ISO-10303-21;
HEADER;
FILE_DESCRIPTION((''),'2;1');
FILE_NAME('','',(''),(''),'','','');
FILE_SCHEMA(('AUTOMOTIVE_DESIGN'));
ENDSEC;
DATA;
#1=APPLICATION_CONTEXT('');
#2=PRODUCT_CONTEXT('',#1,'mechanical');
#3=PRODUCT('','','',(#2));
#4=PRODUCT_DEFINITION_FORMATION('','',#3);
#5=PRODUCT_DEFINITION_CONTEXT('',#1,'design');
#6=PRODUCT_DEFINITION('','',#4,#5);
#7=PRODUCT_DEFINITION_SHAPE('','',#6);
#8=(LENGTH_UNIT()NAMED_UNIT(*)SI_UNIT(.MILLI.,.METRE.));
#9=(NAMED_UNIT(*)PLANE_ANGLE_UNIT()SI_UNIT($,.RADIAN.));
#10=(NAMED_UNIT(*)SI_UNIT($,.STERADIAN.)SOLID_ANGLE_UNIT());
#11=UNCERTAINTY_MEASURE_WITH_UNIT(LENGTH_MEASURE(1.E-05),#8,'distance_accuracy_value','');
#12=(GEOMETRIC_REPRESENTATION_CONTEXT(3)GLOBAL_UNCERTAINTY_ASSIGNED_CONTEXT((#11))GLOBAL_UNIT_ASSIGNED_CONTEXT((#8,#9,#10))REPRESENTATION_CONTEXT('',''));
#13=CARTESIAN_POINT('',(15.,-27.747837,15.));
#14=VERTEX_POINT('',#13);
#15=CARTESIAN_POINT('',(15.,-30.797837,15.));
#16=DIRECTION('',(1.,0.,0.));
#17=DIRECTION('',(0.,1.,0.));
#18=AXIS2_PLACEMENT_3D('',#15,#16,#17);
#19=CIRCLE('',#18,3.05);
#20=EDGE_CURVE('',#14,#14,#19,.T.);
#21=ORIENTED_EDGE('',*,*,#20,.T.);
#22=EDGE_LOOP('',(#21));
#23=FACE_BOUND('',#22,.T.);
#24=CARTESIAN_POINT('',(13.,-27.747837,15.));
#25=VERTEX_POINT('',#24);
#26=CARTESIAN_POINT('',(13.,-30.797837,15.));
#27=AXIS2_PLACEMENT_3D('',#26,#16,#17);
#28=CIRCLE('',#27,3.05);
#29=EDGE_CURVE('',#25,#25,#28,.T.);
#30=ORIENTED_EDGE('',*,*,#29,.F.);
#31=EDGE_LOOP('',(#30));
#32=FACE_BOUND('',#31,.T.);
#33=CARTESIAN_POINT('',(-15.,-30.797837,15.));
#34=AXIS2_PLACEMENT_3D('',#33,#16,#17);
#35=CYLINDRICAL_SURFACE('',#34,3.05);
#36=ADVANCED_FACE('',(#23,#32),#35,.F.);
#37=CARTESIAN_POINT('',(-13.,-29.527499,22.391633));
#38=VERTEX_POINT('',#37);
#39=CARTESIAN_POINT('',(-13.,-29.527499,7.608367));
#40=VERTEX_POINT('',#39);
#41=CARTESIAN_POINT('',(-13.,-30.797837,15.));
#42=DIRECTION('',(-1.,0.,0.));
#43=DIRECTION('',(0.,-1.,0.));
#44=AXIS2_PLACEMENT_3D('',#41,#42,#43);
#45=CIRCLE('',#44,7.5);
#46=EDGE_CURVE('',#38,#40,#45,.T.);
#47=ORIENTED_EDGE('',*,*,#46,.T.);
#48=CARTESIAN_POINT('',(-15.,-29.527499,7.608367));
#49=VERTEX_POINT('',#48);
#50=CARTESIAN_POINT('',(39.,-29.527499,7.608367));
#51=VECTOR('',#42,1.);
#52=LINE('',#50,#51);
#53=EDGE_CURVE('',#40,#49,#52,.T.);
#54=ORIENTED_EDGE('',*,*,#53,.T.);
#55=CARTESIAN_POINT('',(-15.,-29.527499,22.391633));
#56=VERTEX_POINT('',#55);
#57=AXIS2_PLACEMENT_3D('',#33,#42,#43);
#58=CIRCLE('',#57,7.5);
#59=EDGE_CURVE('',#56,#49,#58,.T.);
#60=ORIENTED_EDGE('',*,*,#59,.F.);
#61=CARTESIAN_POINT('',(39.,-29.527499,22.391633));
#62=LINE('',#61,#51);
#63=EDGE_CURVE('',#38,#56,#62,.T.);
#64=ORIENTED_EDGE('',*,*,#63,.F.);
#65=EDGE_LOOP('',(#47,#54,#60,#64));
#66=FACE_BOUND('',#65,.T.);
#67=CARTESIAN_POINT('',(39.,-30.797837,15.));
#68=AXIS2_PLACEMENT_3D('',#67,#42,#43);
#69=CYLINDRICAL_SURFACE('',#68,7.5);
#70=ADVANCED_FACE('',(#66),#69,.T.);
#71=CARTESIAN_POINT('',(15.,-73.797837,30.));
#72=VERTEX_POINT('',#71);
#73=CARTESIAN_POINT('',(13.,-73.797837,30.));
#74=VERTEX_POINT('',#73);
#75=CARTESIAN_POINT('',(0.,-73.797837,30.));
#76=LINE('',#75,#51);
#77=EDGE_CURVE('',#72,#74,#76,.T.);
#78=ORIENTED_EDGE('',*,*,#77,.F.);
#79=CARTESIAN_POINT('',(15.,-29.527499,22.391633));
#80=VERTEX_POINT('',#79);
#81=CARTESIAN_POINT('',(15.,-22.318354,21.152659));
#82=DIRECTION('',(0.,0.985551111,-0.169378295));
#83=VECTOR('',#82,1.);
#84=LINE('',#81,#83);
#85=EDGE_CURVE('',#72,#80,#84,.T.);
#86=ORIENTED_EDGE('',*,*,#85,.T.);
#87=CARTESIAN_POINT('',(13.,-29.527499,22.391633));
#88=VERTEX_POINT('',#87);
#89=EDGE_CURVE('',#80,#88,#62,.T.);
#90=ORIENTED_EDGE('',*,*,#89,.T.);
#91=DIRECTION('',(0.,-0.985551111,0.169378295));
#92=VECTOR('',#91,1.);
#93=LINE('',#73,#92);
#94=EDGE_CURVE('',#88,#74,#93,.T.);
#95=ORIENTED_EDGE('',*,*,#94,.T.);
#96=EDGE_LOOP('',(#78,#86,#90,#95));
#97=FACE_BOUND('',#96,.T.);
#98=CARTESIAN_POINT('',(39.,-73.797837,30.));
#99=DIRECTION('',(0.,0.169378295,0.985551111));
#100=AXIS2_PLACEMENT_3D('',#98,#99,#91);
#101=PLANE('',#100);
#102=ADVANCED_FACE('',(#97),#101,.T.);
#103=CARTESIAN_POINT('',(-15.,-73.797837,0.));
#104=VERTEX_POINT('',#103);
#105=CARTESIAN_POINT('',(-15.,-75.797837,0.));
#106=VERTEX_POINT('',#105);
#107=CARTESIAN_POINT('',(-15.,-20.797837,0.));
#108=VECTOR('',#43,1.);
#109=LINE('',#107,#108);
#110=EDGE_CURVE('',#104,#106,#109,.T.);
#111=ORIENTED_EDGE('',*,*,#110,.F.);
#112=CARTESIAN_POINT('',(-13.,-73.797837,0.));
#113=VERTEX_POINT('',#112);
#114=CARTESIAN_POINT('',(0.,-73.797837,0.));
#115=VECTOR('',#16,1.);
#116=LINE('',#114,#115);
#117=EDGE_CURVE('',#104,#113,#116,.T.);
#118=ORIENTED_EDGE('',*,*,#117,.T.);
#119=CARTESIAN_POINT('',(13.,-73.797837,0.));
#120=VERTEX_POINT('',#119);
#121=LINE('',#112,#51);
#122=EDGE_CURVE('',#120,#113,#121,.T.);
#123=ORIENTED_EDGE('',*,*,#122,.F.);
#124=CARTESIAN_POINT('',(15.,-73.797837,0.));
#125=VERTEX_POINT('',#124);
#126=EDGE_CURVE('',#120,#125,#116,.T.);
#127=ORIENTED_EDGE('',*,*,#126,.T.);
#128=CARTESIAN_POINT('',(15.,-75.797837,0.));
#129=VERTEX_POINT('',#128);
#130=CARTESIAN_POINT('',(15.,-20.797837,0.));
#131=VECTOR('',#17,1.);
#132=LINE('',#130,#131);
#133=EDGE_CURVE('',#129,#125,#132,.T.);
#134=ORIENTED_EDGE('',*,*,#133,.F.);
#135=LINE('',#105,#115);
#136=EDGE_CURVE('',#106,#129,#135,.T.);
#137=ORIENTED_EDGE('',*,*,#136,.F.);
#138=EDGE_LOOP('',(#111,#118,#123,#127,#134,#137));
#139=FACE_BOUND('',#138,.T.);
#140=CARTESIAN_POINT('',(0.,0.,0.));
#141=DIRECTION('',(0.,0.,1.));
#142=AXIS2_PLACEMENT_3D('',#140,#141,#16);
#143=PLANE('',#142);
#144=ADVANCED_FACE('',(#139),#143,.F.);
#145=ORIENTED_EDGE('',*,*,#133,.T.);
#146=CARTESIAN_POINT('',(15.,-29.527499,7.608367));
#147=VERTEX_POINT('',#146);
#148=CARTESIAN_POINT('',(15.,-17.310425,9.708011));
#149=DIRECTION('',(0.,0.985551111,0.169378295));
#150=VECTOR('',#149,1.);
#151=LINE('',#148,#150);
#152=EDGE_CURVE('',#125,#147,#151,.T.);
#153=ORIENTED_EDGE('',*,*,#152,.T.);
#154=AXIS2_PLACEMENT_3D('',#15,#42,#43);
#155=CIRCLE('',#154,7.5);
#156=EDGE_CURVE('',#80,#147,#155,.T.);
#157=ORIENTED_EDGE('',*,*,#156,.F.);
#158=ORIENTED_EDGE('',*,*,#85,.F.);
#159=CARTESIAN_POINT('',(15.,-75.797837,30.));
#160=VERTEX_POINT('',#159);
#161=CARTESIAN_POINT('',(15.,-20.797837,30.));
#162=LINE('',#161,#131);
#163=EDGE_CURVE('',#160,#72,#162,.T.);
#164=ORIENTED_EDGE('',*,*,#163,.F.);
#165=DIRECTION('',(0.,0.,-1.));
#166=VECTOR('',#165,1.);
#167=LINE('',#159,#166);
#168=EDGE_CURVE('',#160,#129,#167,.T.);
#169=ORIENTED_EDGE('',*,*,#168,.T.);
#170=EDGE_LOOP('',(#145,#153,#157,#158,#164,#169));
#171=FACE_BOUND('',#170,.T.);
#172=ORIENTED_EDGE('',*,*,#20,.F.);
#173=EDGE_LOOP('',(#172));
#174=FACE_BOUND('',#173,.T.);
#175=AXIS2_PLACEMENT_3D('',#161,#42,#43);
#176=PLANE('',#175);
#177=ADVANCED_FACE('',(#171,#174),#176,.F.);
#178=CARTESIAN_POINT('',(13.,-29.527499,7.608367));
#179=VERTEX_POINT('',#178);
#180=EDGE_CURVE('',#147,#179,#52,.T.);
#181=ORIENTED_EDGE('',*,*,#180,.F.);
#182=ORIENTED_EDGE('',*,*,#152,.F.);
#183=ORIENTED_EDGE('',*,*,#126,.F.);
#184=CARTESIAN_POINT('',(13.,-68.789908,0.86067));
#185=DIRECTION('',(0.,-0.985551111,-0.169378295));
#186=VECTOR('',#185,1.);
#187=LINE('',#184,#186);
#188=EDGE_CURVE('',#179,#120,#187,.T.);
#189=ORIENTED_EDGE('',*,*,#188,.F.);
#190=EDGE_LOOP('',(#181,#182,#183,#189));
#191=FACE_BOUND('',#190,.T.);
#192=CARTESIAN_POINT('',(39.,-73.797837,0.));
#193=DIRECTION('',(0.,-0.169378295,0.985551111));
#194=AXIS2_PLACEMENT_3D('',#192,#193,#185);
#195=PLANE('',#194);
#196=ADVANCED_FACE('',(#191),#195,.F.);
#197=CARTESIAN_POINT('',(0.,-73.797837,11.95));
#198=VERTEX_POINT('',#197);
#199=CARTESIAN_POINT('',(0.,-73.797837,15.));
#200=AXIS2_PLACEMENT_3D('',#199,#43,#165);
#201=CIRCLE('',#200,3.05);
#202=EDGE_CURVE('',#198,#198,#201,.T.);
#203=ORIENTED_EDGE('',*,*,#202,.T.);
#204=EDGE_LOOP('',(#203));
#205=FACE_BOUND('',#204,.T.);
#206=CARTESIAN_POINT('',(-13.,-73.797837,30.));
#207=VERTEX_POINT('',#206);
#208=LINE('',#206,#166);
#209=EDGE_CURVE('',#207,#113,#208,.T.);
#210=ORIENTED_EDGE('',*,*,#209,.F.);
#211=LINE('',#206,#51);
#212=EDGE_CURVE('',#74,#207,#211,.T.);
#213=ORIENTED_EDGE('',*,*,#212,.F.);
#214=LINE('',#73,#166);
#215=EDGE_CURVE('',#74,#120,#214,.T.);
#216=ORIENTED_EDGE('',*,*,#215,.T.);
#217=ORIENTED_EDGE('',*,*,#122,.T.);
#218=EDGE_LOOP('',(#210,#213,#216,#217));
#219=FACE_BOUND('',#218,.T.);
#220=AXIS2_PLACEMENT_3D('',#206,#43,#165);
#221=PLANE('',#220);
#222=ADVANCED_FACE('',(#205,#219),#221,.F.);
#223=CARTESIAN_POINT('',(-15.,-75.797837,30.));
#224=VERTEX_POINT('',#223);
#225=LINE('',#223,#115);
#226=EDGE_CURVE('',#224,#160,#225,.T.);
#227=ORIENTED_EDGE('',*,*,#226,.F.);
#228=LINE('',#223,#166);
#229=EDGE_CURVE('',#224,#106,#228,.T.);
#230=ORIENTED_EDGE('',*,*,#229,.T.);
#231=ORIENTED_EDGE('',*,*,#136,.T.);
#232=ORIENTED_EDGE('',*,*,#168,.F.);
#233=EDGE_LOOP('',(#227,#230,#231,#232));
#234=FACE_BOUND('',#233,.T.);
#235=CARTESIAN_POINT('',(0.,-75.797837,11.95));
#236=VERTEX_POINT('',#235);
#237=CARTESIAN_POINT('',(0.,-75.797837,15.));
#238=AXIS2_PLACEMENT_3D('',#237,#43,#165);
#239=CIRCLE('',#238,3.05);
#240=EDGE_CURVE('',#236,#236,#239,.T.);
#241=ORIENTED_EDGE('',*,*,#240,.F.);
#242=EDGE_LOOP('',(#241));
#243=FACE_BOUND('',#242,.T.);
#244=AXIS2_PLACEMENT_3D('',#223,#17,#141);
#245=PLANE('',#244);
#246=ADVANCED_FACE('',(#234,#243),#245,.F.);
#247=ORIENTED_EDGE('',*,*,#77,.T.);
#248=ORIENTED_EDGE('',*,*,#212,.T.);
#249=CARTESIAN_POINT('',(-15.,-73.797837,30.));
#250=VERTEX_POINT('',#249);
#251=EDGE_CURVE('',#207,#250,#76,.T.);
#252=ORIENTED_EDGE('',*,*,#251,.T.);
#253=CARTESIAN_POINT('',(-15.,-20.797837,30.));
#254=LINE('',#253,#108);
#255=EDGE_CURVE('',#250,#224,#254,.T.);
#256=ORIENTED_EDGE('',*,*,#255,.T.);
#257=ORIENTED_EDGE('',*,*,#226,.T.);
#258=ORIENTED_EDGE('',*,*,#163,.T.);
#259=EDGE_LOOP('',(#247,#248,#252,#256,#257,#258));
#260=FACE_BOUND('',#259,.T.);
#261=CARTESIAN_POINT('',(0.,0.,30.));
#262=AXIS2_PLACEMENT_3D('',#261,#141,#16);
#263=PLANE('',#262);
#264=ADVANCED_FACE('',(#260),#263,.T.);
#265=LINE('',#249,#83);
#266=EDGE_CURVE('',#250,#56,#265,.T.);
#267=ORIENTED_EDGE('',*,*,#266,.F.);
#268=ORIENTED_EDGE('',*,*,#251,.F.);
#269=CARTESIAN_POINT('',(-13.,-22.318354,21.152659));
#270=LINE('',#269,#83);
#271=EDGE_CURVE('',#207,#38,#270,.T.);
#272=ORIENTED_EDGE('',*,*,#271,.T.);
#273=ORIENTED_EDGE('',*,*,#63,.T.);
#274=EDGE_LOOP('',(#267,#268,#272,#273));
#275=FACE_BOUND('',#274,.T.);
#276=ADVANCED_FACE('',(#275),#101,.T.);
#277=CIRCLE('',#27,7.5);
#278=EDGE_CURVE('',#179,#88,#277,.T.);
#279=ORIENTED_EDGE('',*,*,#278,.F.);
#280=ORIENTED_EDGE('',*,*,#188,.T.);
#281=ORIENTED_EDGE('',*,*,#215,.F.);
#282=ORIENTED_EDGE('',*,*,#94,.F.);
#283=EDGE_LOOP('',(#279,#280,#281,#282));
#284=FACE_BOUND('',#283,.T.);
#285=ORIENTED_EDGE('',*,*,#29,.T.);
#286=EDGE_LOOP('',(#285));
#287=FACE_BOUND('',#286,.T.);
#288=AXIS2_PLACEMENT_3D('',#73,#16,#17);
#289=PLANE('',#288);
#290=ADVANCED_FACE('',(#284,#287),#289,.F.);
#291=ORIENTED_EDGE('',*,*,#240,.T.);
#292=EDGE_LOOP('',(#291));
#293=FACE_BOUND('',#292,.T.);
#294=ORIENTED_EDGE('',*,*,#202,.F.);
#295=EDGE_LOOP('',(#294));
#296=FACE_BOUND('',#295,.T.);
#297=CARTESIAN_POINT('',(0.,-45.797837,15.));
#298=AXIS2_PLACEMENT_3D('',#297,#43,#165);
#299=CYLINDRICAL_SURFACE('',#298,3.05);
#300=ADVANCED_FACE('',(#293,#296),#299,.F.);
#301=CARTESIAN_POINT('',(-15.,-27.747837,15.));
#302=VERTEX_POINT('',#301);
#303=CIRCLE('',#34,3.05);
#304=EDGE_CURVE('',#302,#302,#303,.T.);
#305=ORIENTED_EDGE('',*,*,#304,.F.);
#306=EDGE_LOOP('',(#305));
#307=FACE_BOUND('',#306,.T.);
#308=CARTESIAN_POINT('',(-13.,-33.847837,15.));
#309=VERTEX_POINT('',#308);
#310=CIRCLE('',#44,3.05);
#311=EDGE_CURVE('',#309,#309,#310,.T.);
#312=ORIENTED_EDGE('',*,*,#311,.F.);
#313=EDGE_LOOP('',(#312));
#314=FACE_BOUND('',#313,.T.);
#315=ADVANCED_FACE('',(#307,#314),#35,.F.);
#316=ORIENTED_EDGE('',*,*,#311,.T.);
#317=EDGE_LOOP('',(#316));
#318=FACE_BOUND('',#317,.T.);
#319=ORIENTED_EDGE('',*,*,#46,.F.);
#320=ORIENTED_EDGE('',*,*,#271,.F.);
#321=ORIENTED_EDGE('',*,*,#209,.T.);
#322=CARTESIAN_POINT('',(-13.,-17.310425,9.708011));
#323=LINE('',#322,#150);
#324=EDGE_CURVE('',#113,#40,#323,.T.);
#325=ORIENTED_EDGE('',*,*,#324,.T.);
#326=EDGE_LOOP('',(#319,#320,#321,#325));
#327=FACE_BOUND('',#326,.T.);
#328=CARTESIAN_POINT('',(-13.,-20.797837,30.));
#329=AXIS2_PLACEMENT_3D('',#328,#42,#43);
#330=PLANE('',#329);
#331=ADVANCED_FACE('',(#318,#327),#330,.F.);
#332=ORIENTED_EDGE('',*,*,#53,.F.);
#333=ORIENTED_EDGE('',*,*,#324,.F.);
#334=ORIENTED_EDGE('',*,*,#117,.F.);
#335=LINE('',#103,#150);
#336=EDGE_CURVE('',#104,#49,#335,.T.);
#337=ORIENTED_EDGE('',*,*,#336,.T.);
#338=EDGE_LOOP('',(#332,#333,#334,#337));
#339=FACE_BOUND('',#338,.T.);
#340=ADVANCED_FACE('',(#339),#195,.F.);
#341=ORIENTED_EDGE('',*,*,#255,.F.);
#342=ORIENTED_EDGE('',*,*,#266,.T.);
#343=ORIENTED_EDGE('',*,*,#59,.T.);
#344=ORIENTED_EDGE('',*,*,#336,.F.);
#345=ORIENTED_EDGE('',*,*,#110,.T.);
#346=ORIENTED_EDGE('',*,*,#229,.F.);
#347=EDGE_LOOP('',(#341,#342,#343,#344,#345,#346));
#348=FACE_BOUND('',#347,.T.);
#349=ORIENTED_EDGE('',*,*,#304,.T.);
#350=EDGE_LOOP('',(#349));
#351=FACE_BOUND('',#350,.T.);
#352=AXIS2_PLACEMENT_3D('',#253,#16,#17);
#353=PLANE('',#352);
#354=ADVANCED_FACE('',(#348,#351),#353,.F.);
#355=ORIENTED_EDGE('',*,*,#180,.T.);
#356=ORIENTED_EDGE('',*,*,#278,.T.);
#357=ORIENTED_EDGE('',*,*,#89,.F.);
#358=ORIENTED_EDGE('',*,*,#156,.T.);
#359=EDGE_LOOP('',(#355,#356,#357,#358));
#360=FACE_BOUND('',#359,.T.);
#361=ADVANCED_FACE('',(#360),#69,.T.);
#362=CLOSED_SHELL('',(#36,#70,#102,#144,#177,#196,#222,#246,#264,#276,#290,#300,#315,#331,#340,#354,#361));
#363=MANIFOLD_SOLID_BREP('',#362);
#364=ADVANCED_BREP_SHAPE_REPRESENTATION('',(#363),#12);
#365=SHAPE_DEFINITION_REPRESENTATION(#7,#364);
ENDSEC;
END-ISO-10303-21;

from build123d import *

# Parameters (mm, degrees)
EXTRUDE_1_DEPTH     = 30
SKETCH_2_R          = 3.05
CUT_EXTRUDE_1_DEPTH = 30
SKETCH_3_R          = 3.05
CUT_EXTRUDE_2_DEPTH = 30
CUT_EXTRUDE_3_DEPTH = 54


with BuildPart() as part:
    # 草图1 → 凸台-拉伸1 (new body)
    with BuildSketch(Plane.XY):
        Polygon((-13, -20.797836643), (-13, -73.797836643), (13, -73.797836643), (13, -20.797836643), (15, -20.797836643), (15, -75.797836643), (-15, -75.797836643), (-15, -20.797836643), align=None)
    extrude(amount=EXTRUDE_1_DEPTH)

    # 草图2 → 切除-拉伸1 (cut)
    with BuildSketch(Plane.XZ.offset(75.797836643)):
        with Locations((0, 15)):
            Circle(SKETCH_2_R)
    extrude(amount=-CUT_EXTRUDE_1_DEPTH, mode=Mode.SUBTRACT)

    # 草图3 → 切除-拉伸2 (cut)
    with BuildSketch(Plane(origin=(15, 0, 0), x_dir=(0, 0, -1), z_dir=(1, 0, 0))):
        with Locations((-15, -30.797836643)):
            Circle(SKETCH_3_R)
    extrude(amount=-CUT_EXTRUDE_2_DEPTH, mode=Mode.SUBTRACT)

    # 草图4 → 切除-拉伸3 (cut)
    with BuildSketch(Plane.ZY.offset(15)):
        with BuildLine():
            Line((0, -73.797836643), (7.608366664, -29.527499433))
            ThreePointArc((7.608366664, -29.527499433), (15, -23.297836643), (22.391633336, -29.527499433))
            Line((22.391633336, -29.527499433), (30, -73.797836643))
            Line((30, -73.797836643), (30, -20.797836643))
            Line((30, -20.797836643), (0, -20.797836643))
            Line((0, -20.797836643), (0, -73.797836643))
        make_face()
    extrude(amount=-CUT_EXTRUDE_3_DEPTH, mode=Mode.SUBTRACT)


solid = part.part
